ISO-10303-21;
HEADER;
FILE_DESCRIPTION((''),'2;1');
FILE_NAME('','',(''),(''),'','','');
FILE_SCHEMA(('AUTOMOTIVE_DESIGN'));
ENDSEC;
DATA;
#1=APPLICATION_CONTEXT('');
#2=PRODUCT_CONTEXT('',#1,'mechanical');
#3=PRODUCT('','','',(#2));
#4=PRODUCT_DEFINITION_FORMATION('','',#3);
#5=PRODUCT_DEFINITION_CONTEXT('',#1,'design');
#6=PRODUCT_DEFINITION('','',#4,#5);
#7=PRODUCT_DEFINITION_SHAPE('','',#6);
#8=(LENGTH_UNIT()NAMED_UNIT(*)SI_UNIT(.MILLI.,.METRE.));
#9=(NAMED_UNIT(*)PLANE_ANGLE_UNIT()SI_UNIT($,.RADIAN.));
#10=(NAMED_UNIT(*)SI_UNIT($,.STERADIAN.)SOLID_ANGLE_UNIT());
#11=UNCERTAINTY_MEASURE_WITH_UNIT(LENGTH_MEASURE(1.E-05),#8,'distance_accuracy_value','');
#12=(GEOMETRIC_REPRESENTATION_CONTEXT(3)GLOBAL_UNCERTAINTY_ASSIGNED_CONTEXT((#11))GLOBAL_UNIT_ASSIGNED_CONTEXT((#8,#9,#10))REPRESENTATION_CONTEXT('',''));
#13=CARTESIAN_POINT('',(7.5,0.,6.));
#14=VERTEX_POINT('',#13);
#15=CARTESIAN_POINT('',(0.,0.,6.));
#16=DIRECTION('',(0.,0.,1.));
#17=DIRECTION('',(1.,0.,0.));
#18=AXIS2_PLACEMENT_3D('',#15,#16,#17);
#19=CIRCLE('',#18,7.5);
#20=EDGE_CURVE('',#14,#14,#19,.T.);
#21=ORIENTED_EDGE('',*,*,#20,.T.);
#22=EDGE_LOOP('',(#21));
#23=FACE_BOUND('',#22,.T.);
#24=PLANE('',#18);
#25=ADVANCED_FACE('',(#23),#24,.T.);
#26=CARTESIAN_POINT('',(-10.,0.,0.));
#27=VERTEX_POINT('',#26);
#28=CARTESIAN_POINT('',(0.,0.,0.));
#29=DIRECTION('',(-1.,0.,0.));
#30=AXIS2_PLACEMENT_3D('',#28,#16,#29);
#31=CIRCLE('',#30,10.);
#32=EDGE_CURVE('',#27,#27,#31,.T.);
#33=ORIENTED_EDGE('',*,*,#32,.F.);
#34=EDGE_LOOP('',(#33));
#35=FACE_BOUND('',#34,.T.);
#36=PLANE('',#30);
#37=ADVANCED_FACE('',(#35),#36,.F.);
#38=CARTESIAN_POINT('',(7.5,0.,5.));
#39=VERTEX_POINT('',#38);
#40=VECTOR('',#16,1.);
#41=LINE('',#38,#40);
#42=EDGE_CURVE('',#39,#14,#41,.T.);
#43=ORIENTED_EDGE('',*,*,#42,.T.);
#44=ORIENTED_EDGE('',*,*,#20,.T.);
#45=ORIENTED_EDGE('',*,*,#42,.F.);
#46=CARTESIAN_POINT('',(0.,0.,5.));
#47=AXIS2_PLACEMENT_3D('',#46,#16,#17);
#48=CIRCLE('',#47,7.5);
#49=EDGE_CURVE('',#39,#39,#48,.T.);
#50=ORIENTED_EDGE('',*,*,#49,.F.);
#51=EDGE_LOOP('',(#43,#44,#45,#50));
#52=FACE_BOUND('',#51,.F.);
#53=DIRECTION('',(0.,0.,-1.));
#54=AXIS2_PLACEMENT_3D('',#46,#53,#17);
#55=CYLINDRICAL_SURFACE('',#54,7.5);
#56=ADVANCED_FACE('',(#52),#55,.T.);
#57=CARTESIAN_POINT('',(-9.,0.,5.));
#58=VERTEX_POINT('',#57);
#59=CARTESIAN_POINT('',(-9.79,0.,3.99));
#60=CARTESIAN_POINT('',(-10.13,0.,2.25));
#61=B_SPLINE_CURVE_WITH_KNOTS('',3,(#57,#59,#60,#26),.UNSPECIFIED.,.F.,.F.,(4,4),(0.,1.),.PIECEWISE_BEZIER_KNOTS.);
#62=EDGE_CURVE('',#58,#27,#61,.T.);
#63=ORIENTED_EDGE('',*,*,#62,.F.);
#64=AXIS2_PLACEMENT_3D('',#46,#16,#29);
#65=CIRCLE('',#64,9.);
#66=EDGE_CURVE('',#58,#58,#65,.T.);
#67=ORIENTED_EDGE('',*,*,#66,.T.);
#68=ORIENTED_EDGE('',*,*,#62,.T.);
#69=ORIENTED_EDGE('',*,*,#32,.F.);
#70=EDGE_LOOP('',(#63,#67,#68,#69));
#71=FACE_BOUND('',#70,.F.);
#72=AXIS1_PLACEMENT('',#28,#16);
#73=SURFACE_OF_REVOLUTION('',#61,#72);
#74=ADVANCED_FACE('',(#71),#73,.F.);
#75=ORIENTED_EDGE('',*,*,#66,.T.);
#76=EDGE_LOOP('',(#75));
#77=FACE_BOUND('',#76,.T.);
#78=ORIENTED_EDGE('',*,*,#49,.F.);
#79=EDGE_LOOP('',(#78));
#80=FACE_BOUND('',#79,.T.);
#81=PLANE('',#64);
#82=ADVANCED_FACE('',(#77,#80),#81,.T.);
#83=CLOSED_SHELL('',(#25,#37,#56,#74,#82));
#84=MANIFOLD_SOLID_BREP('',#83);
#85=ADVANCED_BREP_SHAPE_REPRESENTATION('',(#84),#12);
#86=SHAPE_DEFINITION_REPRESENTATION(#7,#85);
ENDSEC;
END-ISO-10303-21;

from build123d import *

# Parameters (mm, degrees)
SKETCH_R      = 7.5
EXTRUDE_DEPTH = 1


with BuildPart() as extrude_body:
    # Sketch → Extrude (new body)
    with BuildSketch(Plane.XY.offset(5)):
        Circle(SKETCH_R)
    extrude(amount=EXTRUDE_DEPTH)


with BuildPart() as fusion:
    # Sketch001 → Revolve (revolve)
    with BuildSketch(Plane.XZ):
        with BuildLine():
            Line((0, 0), (-10, 0))
            add(Edge.make_bspline(
                [(-9, 5), (-9.79, 3.99), (-10.13, 2.25), (-10, 0)],
                knots=[0, 0, 0, 0, 1, 1, 1, 1], degree=3))
            Line((-9, 5), (0, 5))
            Line((0, 5), (0, 0))
        make_face()
    revolve(axis=Axis((0, 0, 0), (0, 0, 1)))

    # Fusion: union Extrude body
    add(extrude_body.part)


solid = fusion.part
